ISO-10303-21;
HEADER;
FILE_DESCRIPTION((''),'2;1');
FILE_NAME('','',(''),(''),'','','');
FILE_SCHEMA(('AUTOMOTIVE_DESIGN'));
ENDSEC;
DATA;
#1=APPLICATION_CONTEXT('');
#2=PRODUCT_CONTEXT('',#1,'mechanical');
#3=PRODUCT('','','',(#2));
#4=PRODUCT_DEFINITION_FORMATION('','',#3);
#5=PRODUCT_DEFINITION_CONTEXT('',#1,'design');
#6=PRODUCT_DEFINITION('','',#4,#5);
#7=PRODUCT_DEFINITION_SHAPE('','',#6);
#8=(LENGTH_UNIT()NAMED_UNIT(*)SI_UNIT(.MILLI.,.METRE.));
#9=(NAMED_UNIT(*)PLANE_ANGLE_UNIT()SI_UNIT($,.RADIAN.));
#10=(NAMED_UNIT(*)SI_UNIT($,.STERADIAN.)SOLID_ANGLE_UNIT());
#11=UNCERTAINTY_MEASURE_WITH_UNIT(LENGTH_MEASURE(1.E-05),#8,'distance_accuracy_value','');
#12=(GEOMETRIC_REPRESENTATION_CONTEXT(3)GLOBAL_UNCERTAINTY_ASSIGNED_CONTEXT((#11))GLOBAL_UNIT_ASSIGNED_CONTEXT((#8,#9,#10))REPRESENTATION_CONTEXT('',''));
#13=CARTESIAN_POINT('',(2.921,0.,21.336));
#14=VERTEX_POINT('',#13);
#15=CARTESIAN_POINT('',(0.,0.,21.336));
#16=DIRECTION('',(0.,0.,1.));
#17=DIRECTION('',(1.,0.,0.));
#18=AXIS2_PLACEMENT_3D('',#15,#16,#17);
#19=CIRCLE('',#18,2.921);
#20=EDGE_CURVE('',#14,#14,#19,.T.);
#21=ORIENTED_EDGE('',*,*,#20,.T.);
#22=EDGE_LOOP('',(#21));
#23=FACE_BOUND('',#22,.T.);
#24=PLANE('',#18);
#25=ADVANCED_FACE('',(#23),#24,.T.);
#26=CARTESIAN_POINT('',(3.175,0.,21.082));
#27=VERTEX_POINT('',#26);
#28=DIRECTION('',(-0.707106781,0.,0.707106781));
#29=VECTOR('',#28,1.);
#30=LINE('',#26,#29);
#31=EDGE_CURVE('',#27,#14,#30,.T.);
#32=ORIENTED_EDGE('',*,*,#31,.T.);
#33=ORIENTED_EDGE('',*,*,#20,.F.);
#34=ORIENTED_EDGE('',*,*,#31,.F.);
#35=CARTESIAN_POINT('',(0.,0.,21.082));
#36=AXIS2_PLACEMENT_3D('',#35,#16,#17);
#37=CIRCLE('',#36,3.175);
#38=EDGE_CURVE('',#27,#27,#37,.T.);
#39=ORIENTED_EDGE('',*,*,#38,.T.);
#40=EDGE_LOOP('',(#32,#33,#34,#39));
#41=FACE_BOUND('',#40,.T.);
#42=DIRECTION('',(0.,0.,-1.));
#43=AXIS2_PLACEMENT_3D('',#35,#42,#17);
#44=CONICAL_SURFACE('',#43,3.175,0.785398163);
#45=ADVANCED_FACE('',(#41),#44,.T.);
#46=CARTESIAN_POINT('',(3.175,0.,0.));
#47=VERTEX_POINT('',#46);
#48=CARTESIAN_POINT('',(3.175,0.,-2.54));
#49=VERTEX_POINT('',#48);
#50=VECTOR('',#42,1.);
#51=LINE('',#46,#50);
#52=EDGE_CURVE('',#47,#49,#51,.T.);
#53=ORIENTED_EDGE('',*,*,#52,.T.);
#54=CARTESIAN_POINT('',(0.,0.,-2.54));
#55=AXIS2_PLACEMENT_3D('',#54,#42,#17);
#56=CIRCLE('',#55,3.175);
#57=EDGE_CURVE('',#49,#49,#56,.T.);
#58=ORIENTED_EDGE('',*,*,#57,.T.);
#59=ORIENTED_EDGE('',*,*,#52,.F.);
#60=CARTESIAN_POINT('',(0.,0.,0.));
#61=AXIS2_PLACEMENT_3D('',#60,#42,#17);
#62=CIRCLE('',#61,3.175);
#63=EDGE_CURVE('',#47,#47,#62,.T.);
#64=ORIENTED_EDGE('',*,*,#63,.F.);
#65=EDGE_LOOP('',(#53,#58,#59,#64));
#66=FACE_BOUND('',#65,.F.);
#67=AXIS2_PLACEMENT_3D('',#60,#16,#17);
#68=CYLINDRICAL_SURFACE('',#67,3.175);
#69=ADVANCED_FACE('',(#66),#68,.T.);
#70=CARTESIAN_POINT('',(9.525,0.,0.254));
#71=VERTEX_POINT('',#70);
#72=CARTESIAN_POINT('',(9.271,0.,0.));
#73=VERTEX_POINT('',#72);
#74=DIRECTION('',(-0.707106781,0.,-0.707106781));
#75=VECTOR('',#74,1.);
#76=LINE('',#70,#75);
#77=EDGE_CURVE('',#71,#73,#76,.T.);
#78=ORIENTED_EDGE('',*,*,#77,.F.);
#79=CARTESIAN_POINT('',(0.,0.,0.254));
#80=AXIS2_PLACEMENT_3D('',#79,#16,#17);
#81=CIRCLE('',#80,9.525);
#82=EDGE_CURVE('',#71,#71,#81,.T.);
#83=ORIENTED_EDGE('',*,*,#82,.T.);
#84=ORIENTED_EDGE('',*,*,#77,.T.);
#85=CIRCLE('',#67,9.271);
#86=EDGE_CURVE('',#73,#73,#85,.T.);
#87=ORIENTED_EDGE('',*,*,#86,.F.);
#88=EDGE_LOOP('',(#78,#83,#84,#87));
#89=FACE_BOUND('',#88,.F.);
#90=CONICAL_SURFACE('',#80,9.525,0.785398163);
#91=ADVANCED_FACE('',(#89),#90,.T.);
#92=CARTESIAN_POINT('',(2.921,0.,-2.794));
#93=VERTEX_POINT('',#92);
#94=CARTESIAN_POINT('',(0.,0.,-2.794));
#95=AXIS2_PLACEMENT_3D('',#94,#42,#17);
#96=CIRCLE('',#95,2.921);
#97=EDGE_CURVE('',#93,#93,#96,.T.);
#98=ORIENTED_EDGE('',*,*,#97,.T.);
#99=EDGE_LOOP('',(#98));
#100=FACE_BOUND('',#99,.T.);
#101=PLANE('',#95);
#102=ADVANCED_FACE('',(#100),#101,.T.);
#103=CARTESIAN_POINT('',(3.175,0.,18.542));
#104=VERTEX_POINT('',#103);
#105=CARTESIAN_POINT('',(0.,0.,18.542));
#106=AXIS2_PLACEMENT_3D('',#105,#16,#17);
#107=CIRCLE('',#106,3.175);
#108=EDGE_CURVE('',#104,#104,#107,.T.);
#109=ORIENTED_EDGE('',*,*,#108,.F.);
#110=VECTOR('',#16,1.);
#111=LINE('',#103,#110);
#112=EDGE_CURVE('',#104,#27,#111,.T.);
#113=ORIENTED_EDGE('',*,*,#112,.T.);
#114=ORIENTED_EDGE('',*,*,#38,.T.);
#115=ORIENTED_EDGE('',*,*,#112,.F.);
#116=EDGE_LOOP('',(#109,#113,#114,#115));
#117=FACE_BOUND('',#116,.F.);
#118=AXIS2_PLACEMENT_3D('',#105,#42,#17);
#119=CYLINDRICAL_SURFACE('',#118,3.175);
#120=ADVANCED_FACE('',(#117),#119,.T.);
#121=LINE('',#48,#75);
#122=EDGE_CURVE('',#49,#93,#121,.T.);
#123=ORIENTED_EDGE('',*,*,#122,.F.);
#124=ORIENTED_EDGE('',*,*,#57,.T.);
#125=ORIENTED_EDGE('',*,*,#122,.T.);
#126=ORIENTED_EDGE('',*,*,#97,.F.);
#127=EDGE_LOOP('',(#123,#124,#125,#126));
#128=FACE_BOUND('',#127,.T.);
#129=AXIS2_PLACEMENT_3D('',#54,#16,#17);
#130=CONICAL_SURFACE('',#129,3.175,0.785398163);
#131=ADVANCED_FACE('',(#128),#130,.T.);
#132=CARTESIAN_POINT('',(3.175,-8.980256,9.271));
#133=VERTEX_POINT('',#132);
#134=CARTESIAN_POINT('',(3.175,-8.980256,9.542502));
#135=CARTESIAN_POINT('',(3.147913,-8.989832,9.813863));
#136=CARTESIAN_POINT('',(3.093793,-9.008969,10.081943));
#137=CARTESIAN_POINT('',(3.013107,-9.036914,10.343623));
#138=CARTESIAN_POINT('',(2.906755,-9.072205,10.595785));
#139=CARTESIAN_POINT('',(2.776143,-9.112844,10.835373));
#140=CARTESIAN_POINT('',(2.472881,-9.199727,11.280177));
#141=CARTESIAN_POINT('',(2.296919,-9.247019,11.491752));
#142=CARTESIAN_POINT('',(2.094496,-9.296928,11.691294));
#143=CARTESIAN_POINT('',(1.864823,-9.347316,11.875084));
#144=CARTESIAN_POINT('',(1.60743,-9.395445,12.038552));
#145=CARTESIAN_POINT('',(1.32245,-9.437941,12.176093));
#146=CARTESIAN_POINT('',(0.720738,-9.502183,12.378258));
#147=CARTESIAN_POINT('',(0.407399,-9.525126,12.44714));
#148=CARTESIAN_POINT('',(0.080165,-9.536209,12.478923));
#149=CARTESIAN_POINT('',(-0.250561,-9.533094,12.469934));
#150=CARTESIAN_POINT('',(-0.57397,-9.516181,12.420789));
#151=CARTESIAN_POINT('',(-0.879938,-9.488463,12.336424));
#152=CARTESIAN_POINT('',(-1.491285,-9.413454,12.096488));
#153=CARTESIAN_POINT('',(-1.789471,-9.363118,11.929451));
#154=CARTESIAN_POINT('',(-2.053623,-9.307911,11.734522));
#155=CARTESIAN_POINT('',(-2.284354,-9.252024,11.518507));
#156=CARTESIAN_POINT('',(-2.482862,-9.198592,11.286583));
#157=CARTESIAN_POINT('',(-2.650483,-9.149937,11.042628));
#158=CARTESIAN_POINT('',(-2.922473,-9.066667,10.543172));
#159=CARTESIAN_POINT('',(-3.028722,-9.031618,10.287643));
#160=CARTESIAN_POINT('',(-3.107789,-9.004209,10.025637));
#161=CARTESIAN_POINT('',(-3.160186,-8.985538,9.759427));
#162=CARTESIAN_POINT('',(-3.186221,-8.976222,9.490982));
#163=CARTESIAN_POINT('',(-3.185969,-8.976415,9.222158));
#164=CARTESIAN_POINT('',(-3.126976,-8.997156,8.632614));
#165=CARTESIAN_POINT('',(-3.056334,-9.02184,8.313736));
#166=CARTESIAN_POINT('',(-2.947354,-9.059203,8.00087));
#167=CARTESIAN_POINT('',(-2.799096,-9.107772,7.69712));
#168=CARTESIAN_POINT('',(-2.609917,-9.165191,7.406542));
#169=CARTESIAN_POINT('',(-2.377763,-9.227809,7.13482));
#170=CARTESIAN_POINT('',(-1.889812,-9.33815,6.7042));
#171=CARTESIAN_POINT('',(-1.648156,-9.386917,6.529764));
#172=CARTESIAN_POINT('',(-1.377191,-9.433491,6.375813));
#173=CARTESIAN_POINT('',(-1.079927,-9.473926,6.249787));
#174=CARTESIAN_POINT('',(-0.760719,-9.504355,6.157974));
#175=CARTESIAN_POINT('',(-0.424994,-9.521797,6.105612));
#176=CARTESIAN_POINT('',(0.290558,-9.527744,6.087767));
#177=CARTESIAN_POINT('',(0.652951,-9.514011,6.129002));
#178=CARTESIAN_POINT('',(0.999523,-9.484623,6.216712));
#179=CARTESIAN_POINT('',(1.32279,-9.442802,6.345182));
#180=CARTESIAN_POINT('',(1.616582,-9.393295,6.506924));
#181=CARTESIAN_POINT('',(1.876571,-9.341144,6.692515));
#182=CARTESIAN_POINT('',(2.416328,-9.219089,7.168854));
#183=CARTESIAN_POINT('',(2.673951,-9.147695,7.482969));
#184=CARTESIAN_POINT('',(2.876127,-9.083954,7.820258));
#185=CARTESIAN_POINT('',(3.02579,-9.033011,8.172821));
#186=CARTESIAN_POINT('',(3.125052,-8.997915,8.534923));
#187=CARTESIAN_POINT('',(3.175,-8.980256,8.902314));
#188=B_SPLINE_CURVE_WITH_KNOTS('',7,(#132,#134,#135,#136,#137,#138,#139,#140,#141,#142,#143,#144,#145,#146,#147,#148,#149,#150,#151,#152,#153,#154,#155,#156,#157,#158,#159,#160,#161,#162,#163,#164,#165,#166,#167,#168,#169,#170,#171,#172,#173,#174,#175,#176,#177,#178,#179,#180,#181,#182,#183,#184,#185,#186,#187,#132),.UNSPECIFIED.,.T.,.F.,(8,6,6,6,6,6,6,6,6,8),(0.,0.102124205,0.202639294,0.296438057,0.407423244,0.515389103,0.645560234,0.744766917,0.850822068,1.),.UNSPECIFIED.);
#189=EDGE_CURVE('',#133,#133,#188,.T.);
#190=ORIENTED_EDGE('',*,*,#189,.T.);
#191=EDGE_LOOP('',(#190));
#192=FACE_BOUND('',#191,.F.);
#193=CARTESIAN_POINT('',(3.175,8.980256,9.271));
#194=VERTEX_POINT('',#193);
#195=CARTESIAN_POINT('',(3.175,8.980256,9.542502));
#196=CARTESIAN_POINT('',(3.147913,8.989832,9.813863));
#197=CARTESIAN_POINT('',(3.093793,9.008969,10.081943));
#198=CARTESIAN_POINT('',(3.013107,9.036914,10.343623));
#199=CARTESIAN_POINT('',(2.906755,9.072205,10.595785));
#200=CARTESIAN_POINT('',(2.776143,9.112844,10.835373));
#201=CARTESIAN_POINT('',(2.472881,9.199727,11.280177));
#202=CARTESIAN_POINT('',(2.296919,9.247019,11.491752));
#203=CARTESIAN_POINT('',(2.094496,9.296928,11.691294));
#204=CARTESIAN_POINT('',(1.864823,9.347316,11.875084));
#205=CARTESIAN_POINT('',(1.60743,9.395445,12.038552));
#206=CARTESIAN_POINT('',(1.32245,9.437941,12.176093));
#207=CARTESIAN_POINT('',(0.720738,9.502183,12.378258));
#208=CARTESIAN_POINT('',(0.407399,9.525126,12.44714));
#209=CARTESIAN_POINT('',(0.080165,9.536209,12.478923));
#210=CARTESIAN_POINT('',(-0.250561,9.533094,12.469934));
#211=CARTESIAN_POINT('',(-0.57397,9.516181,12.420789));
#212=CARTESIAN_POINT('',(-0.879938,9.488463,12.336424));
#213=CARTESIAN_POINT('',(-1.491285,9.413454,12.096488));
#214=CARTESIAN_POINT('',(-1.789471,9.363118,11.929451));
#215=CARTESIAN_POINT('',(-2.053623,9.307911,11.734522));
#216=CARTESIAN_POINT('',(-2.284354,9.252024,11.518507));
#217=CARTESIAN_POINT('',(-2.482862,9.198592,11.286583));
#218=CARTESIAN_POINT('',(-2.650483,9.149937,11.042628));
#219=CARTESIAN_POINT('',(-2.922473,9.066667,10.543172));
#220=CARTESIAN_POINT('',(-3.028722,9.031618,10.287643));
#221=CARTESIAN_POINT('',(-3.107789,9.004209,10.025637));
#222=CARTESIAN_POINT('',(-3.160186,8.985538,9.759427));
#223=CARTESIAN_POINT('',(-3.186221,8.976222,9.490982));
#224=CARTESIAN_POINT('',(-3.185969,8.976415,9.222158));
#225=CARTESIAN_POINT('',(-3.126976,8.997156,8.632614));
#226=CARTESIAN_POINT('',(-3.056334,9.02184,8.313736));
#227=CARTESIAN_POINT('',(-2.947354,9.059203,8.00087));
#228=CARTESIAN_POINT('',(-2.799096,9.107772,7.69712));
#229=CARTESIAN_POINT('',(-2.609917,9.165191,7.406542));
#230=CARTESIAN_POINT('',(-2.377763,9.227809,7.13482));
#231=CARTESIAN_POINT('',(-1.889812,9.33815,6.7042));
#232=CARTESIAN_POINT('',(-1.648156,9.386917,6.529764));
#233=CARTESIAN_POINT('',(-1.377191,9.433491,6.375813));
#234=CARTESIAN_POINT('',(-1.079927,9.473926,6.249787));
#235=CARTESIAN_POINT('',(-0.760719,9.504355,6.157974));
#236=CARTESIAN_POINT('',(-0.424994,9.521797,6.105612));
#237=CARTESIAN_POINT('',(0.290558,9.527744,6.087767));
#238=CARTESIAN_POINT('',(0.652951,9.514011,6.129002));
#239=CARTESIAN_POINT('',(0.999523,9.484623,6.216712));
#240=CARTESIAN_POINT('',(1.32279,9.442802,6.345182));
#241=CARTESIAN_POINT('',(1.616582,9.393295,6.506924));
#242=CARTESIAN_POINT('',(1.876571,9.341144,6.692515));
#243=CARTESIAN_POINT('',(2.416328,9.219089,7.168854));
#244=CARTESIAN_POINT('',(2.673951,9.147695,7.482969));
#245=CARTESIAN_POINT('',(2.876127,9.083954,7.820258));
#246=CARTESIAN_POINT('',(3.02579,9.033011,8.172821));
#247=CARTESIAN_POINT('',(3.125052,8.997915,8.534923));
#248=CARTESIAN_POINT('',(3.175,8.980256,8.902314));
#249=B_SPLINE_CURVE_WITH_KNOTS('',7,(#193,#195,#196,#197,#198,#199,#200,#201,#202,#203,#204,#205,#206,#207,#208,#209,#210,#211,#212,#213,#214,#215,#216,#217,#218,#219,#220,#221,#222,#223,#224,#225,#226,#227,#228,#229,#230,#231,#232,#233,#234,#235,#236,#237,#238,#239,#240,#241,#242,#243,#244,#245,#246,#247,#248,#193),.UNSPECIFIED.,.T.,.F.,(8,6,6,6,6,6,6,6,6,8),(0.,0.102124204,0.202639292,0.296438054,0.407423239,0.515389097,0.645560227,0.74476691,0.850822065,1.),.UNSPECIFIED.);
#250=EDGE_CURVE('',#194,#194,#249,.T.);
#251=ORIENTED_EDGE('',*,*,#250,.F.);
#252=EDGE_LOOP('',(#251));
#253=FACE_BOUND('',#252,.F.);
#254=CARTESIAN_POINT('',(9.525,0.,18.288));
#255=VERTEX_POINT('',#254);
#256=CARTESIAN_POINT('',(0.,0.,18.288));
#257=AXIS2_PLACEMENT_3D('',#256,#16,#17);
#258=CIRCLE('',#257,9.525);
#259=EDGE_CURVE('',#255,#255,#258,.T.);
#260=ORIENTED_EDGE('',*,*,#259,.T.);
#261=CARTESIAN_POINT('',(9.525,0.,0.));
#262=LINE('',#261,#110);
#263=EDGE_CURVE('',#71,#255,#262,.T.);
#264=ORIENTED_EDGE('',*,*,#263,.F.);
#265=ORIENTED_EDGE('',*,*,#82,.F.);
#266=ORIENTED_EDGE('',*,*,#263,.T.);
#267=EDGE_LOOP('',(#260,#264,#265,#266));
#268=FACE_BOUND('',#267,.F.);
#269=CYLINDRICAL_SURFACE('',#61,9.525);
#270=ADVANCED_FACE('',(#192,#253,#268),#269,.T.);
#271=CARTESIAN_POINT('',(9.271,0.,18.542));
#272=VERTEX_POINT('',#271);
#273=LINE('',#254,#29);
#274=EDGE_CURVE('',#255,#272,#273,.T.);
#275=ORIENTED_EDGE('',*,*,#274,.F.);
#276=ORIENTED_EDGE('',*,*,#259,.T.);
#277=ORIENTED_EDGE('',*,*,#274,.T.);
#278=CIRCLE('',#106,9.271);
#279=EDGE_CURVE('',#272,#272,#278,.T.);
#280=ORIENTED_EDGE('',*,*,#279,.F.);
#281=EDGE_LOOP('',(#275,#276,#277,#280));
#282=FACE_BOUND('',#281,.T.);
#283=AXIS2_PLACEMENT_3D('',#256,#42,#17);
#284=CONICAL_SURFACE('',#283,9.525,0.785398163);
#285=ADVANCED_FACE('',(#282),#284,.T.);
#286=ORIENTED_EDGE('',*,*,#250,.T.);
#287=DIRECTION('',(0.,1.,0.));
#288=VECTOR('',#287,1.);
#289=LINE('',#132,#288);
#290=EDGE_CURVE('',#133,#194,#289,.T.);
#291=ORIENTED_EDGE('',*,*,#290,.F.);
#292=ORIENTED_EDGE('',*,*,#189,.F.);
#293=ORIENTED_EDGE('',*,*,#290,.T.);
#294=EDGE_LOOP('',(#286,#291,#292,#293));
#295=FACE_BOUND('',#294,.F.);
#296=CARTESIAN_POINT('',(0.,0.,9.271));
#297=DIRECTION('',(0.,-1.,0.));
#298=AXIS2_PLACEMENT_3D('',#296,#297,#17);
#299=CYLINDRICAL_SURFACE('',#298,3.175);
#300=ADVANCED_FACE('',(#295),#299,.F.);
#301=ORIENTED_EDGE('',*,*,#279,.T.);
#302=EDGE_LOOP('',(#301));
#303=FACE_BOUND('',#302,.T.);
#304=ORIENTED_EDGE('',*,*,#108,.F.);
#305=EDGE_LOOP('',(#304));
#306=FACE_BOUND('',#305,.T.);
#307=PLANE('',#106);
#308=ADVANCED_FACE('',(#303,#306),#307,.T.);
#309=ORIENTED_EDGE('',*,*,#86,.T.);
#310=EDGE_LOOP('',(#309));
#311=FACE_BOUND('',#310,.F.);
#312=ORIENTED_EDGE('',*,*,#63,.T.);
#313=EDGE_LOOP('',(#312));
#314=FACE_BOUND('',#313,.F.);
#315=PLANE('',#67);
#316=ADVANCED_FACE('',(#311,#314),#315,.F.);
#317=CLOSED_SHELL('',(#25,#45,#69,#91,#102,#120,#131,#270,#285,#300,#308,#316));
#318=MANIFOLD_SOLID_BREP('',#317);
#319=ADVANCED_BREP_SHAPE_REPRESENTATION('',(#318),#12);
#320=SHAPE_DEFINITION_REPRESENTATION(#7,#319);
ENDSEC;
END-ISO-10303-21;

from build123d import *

# Parameters (mm, degrees)
F0_R          = 9.525
F1_DEPTH      = 18.542
F2_R          = 3.175
F3_DEPTH      = 2.794
F4_R          = 3.175
F5_DEPTH      = 2.794
F6_R          = 3.175
F7_DEPTH      = 25.4
F7_DEPTH_BACK = 25.4
F8_SIZE       = 0.254


with BuildPart() as f1:
    # F0 (on Top) → F1 (new body)
    with BuildSketch(Plane.XY):
        Circle(F0_R)
    extrude(amount=F1_DEPTH)

    # F2 (on face) → F3 (join)
    with BuildSketch(Plane(origin=(0, 0, 0), x_dir=(1, 0, 0), z_dir=(0, 0, -1))):
        Circle(F2_R)
    extrude(amount=F3_DEPTH)

    # F4 (on face) → F5 (join)
    with BuildSketch(Plane.XY.offset(18.542)):
        Circle(F4_R)
    extrude(amount=F5_DEPTH)

    # F6 (on Front) → F7 (cut, two sides)
    with BuildSketch(Plane.XZ) as f7_sk:
        with Locations((0, 9.271)):
            Circle(F6_R)
    extrude(amount=F7_DEPTH, mode=Mode.SUBTRACT)
    extrude(f7_sk.sketch, amount=-F7_DEPTH_BACK, mode=Mode.SUBTRACT)

    # F8
    f8_edges = [f1.edges().sort_by_distance(p)[0] for p in [
        (-9.525, 0, 18.542),
        (-3.175, 0, -2.794),
        (-9.525, 0, 0),
        (-3.175, 0, 21.336),
    ]]
    chamfer(f8_edges, length=F8_SIZE)


solid = f1.part
